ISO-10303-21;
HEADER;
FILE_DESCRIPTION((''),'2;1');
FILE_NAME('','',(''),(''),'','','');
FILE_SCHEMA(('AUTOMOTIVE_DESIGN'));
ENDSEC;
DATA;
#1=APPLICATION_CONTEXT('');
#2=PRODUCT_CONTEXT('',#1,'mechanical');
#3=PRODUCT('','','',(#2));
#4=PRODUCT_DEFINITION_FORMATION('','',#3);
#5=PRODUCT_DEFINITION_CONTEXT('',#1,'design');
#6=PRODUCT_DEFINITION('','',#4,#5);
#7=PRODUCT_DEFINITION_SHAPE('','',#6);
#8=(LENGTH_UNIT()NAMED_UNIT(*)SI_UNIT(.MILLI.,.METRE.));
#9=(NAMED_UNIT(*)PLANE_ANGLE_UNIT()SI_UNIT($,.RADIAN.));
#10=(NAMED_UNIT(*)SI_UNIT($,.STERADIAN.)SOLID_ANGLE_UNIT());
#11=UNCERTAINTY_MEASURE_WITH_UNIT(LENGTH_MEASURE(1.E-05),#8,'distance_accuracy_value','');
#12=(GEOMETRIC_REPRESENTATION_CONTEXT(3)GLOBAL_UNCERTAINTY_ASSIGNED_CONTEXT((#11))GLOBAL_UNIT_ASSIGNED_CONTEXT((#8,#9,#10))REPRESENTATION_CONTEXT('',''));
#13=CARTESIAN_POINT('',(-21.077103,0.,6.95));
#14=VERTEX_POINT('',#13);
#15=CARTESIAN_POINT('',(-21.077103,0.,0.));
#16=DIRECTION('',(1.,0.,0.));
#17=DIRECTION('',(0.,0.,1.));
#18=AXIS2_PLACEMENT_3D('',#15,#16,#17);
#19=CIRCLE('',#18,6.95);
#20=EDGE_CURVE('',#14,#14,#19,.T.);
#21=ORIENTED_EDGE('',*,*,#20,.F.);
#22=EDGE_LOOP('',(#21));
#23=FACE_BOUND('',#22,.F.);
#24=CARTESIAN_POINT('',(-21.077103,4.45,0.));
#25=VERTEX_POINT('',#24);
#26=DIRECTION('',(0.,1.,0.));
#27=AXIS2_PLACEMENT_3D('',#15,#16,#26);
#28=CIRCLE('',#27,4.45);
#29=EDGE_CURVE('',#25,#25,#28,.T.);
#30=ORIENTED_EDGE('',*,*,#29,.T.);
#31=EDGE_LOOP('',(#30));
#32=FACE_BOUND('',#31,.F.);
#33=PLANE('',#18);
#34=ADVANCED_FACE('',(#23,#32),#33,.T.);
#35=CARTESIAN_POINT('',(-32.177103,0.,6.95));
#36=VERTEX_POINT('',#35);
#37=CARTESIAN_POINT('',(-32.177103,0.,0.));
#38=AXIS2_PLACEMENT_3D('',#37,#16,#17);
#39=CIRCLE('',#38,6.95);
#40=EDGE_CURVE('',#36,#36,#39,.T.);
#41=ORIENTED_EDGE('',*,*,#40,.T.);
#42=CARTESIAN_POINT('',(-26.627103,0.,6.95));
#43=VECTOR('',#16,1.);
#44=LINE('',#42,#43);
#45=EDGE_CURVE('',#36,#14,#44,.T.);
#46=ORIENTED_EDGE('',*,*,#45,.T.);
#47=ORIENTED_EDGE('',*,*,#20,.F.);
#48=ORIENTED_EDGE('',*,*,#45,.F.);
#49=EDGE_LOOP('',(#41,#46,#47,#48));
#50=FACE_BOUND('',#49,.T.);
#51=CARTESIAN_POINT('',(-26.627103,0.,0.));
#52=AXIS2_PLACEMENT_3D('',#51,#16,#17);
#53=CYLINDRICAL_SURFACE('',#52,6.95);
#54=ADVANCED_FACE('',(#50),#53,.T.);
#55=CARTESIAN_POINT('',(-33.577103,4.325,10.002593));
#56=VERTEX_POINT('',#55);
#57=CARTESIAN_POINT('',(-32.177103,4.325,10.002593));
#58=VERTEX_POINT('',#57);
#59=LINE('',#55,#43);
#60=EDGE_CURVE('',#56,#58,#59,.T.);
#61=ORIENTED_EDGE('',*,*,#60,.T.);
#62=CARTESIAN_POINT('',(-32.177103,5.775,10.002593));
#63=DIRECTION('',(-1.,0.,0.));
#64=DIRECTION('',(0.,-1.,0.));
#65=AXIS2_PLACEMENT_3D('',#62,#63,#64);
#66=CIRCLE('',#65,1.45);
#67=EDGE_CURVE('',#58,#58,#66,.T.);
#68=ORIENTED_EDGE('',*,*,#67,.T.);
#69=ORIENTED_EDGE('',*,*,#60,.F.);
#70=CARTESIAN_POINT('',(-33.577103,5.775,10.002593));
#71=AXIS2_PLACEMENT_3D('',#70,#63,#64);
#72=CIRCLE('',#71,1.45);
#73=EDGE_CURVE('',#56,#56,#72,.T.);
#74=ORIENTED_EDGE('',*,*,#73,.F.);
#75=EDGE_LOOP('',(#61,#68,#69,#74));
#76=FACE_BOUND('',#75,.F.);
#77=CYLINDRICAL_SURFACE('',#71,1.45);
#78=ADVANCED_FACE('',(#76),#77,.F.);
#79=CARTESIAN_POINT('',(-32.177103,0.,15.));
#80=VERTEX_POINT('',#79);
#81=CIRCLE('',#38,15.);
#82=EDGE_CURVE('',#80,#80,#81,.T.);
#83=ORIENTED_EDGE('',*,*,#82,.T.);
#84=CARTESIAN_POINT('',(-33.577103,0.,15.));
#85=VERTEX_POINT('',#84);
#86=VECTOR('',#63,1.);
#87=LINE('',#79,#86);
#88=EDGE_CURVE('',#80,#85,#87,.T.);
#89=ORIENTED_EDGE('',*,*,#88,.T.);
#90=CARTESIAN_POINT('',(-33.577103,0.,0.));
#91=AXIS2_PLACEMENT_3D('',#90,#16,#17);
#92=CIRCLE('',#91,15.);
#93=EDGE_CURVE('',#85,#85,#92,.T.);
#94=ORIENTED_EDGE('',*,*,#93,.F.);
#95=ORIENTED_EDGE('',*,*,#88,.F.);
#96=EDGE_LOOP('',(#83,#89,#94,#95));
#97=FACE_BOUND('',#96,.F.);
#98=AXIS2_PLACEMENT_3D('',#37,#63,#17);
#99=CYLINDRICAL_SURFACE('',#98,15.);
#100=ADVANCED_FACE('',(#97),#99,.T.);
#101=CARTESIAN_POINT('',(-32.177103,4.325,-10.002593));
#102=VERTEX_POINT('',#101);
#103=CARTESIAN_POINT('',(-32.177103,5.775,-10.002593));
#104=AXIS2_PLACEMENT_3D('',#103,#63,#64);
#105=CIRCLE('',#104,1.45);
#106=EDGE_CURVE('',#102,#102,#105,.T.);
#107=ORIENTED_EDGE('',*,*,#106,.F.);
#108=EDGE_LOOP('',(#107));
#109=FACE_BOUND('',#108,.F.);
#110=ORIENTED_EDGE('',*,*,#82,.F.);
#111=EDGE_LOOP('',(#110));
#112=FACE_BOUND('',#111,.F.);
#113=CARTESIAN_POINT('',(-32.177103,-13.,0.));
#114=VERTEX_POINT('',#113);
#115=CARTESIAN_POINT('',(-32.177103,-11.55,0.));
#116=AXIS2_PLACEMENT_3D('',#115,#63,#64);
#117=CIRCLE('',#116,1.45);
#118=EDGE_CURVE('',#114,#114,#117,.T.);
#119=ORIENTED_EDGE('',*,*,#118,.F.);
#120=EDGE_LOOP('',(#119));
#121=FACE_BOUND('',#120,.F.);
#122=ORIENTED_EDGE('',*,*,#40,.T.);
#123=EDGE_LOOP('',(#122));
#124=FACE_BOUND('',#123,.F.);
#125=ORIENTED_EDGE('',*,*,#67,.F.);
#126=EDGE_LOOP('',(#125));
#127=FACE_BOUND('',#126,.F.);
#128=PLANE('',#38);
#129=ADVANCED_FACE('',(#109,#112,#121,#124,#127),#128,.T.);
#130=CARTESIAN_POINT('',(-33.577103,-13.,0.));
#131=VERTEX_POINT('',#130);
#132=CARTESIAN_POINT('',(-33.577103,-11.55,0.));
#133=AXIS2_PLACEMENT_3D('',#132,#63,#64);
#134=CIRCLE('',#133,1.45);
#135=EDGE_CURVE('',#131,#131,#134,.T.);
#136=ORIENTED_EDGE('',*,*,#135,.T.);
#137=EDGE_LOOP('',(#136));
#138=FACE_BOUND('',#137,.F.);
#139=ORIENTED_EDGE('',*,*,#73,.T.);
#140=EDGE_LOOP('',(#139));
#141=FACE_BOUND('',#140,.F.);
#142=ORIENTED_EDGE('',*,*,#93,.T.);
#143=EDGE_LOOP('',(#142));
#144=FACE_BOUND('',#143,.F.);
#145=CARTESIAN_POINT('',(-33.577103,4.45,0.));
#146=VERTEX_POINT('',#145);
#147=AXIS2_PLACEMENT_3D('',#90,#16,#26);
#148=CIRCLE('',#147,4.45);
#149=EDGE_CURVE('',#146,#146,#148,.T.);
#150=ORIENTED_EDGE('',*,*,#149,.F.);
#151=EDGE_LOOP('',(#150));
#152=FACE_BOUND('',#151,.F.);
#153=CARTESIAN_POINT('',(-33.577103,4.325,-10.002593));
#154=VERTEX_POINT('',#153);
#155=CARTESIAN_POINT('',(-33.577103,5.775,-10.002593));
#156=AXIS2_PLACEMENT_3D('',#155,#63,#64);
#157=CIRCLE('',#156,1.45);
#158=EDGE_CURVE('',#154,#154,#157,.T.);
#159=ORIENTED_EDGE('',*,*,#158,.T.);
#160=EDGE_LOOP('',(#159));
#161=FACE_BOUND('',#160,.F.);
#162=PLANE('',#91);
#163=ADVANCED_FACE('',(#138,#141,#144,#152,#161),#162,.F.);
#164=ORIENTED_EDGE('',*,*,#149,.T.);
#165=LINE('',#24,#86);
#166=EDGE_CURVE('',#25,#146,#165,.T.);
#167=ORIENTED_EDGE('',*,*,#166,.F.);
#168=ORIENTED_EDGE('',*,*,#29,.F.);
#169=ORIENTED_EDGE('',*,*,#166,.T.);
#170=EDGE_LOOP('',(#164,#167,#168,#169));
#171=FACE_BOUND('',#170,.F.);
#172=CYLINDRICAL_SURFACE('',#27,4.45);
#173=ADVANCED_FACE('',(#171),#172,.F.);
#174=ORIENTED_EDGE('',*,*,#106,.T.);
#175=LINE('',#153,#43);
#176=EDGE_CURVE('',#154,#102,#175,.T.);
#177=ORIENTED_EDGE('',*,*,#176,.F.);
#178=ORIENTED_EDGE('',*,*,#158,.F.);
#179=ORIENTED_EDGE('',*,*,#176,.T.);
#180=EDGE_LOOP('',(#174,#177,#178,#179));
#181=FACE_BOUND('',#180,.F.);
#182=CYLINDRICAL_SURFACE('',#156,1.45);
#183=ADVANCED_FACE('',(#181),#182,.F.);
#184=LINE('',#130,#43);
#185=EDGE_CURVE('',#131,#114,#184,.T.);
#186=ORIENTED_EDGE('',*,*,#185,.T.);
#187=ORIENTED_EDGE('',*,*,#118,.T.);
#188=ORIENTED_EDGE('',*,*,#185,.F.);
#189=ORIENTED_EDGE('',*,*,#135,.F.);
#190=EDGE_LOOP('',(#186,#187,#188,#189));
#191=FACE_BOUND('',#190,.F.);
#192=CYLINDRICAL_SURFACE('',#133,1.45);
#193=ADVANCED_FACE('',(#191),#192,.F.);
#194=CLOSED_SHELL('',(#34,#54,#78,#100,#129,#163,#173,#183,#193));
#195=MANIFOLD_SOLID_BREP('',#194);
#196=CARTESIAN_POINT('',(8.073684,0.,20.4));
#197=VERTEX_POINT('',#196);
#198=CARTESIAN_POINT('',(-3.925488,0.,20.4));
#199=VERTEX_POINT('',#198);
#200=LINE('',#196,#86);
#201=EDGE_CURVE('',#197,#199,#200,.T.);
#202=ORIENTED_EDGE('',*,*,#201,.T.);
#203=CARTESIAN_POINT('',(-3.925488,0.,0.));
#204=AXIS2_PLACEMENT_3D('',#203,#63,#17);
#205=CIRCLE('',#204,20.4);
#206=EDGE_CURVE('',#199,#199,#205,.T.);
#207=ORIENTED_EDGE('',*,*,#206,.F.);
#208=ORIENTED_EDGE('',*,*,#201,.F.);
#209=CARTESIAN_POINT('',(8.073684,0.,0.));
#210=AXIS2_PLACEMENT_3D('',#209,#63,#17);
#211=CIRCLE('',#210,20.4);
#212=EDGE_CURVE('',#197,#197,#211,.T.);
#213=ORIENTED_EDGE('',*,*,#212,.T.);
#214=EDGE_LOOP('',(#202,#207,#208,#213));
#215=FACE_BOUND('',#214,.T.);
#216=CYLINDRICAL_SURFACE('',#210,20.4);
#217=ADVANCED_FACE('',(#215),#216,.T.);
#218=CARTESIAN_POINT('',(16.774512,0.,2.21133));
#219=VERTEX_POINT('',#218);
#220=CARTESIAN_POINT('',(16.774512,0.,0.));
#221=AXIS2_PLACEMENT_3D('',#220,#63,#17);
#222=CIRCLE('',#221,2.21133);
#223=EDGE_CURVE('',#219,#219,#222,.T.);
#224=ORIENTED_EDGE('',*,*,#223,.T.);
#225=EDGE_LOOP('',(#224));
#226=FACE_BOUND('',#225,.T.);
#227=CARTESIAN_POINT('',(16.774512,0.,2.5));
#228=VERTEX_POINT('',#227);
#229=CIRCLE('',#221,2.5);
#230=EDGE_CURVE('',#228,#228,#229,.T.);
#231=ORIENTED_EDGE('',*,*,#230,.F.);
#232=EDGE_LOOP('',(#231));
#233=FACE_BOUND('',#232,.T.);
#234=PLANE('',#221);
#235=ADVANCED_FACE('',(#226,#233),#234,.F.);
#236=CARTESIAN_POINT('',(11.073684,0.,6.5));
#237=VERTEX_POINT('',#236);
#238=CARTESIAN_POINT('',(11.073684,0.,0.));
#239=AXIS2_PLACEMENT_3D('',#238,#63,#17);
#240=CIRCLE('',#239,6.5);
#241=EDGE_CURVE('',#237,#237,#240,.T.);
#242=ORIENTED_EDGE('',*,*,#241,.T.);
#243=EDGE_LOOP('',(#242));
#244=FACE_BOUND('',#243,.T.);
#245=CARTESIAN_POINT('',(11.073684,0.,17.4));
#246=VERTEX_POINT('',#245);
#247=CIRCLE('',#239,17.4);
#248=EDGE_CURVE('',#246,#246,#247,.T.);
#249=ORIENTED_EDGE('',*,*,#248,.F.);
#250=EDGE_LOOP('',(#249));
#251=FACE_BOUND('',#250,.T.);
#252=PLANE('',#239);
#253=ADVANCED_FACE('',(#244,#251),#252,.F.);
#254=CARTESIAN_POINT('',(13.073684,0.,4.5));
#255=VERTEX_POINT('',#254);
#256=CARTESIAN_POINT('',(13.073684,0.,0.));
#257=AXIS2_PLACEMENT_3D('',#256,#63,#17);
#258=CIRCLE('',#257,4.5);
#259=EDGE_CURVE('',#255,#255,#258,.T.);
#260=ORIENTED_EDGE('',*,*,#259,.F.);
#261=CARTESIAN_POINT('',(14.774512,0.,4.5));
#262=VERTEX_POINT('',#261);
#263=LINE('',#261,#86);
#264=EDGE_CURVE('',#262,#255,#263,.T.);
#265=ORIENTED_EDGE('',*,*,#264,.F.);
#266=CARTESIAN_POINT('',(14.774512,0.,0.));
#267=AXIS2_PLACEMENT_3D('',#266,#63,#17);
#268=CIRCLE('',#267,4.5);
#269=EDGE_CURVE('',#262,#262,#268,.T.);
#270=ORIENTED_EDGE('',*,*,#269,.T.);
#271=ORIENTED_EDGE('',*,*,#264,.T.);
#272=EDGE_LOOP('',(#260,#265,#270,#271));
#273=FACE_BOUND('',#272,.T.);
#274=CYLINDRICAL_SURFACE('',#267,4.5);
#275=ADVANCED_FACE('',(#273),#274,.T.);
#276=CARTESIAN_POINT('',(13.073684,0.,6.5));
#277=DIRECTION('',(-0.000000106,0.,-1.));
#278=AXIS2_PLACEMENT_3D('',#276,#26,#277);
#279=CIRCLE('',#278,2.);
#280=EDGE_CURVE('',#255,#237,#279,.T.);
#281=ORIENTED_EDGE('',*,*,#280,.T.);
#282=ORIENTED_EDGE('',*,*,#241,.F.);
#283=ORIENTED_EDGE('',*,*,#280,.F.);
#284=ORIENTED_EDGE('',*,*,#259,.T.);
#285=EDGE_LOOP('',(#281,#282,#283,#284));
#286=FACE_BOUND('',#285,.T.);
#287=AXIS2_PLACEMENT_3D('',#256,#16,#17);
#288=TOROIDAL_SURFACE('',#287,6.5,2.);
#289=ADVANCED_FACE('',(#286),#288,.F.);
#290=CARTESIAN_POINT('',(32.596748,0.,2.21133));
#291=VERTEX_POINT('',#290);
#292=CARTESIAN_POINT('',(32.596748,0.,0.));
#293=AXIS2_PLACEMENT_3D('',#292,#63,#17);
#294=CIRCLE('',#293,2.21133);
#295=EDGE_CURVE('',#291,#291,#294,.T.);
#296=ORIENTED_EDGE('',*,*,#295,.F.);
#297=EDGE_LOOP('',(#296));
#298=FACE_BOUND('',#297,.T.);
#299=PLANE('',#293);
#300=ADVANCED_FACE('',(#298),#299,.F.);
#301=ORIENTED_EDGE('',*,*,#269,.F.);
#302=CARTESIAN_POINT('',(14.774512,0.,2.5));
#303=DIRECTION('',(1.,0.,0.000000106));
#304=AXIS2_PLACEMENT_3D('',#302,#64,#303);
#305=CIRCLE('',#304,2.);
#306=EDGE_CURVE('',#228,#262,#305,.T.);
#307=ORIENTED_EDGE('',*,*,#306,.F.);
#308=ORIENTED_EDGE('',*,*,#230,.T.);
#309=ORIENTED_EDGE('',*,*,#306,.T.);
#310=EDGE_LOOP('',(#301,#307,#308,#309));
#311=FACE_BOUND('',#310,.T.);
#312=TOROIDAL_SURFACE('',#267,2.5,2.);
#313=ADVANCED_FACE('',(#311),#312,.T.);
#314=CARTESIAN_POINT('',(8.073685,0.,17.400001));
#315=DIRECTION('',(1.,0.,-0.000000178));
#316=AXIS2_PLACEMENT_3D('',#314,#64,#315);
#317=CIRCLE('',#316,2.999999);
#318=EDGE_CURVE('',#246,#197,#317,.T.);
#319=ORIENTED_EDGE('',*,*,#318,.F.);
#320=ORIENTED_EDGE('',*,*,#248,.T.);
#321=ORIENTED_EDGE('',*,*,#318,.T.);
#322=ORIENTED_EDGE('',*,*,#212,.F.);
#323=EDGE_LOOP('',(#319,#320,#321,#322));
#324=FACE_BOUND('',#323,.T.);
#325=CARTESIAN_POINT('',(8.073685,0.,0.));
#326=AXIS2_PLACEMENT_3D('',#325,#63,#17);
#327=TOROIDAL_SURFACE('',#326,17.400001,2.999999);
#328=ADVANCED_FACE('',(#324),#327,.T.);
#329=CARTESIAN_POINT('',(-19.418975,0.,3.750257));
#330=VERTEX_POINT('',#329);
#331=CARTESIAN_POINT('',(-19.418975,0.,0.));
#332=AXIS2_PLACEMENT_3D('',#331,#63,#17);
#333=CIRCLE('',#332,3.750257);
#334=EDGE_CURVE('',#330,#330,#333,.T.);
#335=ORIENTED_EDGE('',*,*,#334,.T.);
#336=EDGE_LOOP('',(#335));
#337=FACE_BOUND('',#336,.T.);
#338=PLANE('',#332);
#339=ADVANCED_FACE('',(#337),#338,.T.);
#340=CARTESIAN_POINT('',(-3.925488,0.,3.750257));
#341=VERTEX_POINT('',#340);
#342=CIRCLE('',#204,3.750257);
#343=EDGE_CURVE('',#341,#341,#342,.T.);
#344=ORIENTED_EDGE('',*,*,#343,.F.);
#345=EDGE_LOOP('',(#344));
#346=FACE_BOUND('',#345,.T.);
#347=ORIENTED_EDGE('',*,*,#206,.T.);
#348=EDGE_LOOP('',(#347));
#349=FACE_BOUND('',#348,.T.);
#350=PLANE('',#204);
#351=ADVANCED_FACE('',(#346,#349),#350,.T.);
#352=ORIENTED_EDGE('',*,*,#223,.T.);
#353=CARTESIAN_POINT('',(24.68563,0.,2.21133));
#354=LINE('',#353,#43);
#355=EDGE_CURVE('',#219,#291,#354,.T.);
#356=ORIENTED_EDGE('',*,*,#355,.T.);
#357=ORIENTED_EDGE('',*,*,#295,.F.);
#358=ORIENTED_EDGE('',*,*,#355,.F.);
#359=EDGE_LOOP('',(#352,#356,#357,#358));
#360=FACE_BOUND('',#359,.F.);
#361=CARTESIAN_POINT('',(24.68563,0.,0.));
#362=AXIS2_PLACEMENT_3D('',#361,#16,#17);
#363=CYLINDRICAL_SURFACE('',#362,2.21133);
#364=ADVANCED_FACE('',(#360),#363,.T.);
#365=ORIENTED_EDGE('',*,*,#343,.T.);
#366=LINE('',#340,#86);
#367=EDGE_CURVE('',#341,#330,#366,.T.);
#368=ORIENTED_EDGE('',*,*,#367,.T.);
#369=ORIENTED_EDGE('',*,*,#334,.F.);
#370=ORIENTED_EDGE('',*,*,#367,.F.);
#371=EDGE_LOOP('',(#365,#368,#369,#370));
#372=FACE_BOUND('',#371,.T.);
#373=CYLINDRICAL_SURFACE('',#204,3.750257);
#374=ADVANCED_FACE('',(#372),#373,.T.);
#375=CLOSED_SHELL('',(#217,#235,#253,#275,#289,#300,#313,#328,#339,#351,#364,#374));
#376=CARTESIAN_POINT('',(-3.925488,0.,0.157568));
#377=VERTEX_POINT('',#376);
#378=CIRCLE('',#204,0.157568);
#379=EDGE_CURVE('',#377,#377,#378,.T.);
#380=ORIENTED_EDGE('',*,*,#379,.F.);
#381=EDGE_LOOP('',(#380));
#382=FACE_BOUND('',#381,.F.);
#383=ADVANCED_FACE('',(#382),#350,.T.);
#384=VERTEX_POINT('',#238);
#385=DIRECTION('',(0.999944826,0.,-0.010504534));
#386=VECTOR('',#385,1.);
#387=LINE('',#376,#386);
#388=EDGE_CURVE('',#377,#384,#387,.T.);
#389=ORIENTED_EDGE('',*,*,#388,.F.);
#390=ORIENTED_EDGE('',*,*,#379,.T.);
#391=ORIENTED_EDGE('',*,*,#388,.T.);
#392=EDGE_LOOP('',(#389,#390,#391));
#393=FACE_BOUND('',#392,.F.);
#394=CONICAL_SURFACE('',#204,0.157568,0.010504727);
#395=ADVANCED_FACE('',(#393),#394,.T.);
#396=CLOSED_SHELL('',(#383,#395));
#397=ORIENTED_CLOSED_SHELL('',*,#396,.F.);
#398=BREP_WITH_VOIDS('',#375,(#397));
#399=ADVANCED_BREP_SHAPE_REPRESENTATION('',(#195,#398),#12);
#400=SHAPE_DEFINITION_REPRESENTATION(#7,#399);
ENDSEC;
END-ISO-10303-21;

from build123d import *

# Parameters (mm, degrees)
F0_W     = 15.822236
F0_H     = 2.21133
F2_W     = 11.1
F2_H     = 6.95
F4_R     = 4.45
F5_DEPTH = 25
F6_R     = 1.45
F7_DEPTH = 2


with BuildPart() as f1:
    # F0 (on Front) → F1 (revolve)
    with BuildSketch(Plane.XZ):
        with BuildLine():
            Line((8.073684, 20.4), (-3.925488, 20.4))
            Line((-3.925488, 20.4), (-3.925488, 3.750257))
            Line((-3.925488, 3.750257), (-3.925488, 0.157568))
            Line((-3.925488, 0.157568), (11.073684, 0))
            Line((11.073684, 0), (16.774512, 0))
            Line((16.774512, 0), (16.774512, 2.21133))
            Line((16.774512, 2.21133), (16.774512, 2.5))
            ThreePointArc((16.774512, 2.5), (16.188725, 3.914214), (14.774512, 4.5))
            Line((14.774512, 4.5), (13.073684, 4.5))
            ThreePointArc((13.073684, 4.5), (11.659471, 5.085786), (11.073684, 6.5))
            Line((11.073684, 6.5), (11.073684, 17.4))
            ThreePointArc((11.073684, 17.4), (10.195005, 19.52132), (8.073684, 20.4))
        make_face()
        Polygon((-3.925488, 0.157568), (-3.925488, 3.750257), (-19.418975, 3.750257), (-19.418975, 0), (-3.925488, 0), align=None)
        with Locations((24.68563, 1.105665)):
            Rectangle(F0_W, F0_H)
    revolve(axis=Axis((-11.672232, 0, 0), (-1, 0, 0)))


with BuildPart() as f3:
    # F2 (on Front) → F3 (revolve)
    with BuildSketch(Plane.XZ):
        with Locations((-26.627103, 3.475)):
            Rectangle(F2_W, F2_H)
        Polygon((-32.177103, 15), (-33.577103, 15), (-33.577103, 0), (-32.177103, 0), (-32.177103, 6.95), align=None)
    revolve(axis=Axis((-26.627103, 0, 0), (1, 0, 0)))

    # F4 (on face) → F5 (cut)
    with BuildSketch(Plane.YZ.offset(-21.077103)):
        Circle(F4_R)
    extrude(amount=-F5_DEPTH, mode=Mode.SUBTRACT)

    # F6 (on face) → F7 (cut)
    with BuildSketch(Plane(origin=(-33.577103, 0, 0), x_dir=(0, -1, 0), z_dir=(-1, 0, 0))):
        with Locations((-5.775, 10.002593)):
            Circle(F6_R)
        with Locations((11.55, 0)):
            Circle(F6_R)
        with Locations((-5.775, -10.002593)):
            Circle(F6_R)
    extrude(amount=-F7_DEPTH, mode=Mode.SUBTRACT)


solid = Compound([f1.part, f3.part])
